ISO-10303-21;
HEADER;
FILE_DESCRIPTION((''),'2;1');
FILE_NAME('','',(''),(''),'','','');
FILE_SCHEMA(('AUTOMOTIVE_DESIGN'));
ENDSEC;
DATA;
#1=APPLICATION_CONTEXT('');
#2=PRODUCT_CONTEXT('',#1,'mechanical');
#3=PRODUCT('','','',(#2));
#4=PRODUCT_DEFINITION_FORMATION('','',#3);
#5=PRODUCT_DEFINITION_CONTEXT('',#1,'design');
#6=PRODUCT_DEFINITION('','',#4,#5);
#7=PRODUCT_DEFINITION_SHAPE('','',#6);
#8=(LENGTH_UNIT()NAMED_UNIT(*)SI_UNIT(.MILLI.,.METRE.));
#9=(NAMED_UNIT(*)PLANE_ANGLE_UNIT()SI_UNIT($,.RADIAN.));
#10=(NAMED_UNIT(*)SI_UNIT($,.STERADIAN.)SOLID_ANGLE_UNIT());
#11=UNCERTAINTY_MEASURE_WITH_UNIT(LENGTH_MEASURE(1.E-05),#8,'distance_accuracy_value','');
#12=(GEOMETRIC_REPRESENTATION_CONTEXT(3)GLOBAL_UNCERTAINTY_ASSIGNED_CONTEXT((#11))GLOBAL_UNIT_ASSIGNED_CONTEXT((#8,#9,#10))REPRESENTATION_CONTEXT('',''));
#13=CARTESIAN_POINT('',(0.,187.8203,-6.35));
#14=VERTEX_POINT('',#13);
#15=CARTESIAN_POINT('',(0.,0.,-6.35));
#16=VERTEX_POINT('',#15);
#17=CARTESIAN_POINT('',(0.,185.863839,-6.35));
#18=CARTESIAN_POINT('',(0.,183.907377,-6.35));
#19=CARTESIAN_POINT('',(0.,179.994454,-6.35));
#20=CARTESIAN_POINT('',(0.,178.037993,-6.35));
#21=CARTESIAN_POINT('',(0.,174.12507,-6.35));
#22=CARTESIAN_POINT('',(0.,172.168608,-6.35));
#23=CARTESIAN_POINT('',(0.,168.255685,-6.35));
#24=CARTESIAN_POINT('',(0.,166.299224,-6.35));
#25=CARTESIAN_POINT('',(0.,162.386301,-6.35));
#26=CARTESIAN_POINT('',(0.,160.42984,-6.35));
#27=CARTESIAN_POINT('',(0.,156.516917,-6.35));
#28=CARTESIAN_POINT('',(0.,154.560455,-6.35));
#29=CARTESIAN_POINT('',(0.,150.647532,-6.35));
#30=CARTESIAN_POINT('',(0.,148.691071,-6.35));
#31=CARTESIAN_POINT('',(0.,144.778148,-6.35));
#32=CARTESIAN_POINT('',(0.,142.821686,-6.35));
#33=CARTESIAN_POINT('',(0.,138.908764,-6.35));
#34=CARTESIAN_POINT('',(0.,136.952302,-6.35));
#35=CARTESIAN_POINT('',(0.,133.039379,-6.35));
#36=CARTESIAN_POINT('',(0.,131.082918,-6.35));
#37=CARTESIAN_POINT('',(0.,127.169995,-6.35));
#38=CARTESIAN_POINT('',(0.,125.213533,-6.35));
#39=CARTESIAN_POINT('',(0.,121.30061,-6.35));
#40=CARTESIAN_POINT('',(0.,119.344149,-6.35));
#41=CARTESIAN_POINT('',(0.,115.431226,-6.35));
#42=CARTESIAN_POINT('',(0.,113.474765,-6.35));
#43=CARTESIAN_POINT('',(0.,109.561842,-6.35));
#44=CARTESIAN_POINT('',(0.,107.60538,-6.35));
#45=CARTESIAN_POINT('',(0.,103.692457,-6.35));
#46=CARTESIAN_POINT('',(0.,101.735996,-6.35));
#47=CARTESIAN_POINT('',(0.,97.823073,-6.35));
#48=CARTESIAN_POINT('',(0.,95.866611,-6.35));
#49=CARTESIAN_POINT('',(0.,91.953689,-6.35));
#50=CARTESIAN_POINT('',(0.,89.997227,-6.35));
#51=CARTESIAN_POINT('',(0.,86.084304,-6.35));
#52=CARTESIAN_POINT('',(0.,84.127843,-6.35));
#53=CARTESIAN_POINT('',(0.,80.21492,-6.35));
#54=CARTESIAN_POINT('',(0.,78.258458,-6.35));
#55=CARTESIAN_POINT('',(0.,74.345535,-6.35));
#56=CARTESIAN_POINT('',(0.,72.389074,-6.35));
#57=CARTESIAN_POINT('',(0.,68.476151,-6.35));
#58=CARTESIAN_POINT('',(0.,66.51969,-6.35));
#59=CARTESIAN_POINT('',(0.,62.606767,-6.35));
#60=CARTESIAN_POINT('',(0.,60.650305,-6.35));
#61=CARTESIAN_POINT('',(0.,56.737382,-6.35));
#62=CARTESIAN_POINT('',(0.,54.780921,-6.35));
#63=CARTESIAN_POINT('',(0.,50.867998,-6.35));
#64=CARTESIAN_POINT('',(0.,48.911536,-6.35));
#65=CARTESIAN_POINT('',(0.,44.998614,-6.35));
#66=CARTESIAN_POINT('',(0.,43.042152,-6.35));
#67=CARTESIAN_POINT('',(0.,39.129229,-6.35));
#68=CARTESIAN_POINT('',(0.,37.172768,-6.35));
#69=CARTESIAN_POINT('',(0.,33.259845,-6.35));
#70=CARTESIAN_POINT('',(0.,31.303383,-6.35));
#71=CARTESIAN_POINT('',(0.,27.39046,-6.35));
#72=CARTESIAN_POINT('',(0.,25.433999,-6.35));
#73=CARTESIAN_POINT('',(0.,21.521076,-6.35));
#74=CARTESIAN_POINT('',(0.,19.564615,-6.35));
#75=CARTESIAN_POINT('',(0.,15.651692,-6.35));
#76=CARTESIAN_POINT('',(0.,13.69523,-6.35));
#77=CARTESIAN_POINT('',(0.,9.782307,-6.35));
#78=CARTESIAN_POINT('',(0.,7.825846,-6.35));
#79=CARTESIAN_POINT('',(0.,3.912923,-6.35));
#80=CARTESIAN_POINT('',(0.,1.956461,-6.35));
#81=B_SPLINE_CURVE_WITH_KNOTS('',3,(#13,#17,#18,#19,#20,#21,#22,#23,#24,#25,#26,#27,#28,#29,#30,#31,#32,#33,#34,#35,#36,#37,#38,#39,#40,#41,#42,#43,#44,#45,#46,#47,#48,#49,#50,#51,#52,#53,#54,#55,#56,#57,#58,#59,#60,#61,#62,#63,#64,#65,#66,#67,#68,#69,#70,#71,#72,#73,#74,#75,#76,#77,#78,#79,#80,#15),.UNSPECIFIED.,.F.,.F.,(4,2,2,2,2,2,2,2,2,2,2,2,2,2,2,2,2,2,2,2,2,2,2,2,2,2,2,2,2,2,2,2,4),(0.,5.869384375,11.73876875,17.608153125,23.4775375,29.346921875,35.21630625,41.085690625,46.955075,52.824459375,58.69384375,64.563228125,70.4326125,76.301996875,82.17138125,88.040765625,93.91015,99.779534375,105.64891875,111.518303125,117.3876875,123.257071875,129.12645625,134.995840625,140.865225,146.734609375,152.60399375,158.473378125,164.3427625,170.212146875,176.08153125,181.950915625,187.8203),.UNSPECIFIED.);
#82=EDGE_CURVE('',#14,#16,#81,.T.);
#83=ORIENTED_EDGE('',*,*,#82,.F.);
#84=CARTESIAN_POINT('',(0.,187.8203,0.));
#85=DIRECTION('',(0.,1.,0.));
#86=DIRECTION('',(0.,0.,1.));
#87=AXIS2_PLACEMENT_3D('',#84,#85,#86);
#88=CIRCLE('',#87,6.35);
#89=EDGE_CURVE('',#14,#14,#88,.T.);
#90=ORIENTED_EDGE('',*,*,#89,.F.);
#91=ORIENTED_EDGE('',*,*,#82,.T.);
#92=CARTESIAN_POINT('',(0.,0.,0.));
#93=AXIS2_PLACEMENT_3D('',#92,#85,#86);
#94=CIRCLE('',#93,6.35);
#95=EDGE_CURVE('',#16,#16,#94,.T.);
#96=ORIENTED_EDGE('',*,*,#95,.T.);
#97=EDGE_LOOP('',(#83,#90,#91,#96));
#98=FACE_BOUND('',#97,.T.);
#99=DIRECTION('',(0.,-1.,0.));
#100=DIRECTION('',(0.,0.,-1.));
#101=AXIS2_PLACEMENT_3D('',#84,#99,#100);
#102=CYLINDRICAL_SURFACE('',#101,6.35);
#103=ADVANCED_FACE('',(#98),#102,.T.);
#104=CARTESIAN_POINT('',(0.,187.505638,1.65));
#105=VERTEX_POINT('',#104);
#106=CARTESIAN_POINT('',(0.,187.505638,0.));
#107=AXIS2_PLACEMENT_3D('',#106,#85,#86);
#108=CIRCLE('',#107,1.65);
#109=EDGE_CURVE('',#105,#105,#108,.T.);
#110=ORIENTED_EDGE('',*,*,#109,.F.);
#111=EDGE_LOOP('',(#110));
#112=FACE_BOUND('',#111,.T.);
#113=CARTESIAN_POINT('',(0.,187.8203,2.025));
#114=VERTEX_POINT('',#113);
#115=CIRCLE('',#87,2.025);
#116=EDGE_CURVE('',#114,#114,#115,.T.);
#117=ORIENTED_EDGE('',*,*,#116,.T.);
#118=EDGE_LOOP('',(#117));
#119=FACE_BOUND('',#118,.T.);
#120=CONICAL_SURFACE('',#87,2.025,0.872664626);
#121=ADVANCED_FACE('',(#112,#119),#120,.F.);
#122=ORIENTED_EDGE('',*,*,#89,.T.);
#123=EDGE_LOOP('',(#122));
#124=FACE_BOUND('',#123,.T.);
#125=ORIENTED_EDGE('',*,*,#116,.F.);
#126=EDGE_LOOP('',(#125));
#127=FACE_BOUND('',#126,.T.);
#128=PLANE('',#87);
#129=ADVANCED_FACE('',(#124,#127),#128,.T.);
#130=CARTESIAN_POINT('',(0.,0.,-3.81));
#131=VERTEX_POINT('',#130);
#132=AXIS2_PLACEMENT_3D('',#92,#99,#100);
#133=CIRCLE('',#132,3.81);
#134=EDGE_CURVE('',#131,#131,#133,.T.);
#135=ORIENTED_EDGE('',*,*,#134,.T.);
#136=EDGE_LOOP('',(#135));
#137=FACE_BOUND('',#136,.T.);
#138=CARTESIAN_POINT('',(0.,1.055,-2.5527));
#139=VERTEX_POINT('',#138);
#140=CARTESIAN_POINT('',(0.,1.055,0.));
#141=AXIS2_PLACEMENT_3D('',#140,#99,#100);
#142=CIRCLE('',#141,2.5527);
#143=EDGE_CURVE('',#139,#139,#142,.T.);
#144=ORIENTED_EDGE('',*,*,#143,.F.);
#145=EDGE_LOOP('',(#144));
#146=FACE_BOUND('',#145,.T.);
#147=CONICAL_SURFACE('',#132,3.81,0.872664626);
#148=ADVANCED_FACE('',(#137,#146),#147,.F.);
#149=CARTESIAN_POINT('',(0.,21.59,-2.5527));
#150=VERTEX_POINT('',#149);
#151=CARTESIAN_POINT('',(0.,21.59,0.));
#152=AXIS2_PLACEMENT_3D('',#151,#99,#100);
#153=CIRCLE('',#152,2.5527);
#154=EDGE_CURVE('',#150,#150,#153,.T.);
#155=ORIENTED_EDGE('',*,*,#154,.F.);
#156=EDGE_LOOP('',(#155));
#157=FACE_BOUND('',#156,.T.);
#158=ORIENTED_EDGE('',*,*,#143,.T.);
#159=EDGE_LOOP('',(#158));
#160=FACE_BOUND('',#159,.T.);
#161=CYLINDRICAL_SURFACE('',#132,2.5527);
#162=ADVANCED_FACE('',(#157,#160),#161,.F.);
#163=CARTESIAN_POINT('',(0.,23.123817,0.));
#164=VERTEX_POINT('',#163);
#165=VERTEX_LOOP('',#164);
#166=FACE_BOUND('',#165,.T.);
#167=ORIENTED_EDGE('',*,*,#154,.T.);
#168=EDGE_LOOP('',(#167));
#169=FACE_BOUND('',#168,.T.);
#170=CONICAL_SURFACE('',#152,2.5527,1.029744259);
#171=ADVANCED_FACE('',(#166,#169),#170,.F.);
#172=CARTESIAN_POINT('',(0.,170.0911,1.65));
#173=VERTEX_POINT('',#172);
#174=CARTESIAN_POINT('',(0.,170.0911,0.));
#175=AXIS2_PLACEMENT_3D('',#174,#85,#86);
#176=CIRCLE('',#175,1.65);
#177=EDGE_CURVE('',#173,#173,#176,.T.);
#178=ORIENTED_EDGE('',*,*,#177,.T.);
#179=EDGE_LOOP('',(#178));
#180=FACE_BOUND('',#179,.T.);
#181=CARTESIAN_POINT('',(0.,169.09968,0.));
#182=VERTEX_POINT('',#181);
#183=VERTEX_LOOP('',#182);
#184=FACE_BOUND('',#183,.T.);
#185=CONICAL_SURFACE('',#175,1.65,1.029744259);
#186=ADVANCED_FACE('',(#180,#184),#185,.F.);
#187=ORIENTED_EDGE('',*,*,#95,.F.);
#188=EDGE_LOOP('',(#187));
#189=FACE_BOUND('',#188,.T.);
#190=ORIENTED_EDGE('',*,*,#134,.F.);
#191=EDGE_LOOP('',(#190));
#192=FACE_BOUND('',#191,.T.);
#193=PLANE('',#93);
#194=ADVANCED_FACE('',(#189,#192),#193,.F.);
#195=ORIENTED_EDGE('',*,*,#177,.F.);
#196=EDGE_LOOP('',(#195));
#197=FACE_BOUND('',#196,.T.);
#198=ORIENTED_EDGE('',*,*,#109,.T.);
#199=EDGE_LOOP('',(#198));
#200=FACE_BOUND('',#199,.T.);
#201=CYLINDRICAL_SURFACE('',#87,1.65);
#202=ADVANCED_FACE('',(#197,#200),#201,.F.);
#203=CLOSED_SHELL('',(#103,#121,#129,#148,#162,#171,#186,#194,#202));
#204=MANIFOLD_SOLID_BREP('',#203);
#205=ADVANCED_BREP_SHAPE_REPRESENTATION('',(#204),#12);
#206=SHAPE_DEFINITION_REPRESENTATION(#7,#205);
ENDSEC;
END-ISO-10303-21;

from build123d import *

# Parameters (mm, degrees)
SKETCH1_R                         = 6.35
BOSS_EXTRUDE1_DEPTH               = 187.8203
F_1_4_20_TAPPED_HOLE1_D           = 5.1054
F_1_4_20_TAPPED_HOLE1_DEPTH       = 21.59
F_1_4_20_TAPPED_HOLE1_CSINK_D     = 7.62
F_1_4_20_TAPPED_HOLE1_CSINK_ANGLE = 100
F_1_4_20_TAPPED_HOLE1_TIP         = 1.533816902
M4X0_7_TAPPED_HOLE1_D             = 3.3
M4X0_7_TAPPED_HOLE1_DEPTH         = 17.7292
M4X0_7_TAPPED_HOLE1_CSINK_D       = 4.05
M4X0_7_TAPPED_HOLE1_CSINK_ANGLE   = 100
M4X0_7_TAPPED_HOLE1_TIP           = 0.991420021


with BuildPart() as part:
    # Sketch1 → Boss-Extrude1 (new body)
    with BuildSketch(Plane(origin=(0, 0, 0), x_dir=(1, 0, 0), z_dir=(0, 1, 0))):
        with Locations(Location((0, 0, 0), (0, 0, 90))):
            Circle(SKETCH1_R)
    extrude(amount=BOSS_EXTRUDE1_DEPTH)

    # 1/4-20 Tapped Hole1
    with Locations(Plane(origin=(0, 0, 0), x_dir=(-1, 0, 0), z_dir=(0, -1, 0))):
        with Locations((0, 0)):
            CounterSinkHole(F_1_4_20_TAPPED_HOLE1_D / 2, F_1_4_20_TAPPED_HOLE1_CSINK_D / 2, depth=F_1_4_20_TAPPED_HOLE1_DEPTH, counter_sink_angle=F_1_4_20_TAPPED_HOLE1_CSINK_ANGLE)
            with Locations((0, 0, -(F_1_4_20_TAPPED_HOLE1_DEPTH + F_1_4_20_TAPPED_HOLE1_TIP / 2))):  # 118° drill point
                Cone(0, F_1_4_20_TAPPED_HOLE1_D / 2, F_1_4_20_TAPPED_HOLE1_TIP, mode=Mode.SUBTRACT)

    # M4x0.7 Tapped Hole1
    with Locations(Plane(origin=(0, 187.8203, 0), x_dir=(1, 0, 0), z_dir=(0, 1, 0))):
        with Locations((0, 0)):
            CounterSinkHole(M4X0_7_TAPPED_HOLE1_D / 2, M4X0_7_TAPPED_HOLE1_CSINK_D / 2, depth=M4X0_7_TAPPED_HOLE1_DEPTH, counter_sink_angle=M4X0_7_TAPPED_HOLE1_CSINK_ANGLE)
            with Locations((0, 0, -(M4X0_7_TAPPED_HOLE1_DEPTH + M4X0_7_TAPPED_HOLE1_TIP / 2))):  # 118° drill point
                Cone(0, M4X0_7_TAPPED_HOLE1_D / 2, M4X0_7_TAPPED_HOLE1_TIP, mode=Mode.SUBTRACT)


solid = part.part
